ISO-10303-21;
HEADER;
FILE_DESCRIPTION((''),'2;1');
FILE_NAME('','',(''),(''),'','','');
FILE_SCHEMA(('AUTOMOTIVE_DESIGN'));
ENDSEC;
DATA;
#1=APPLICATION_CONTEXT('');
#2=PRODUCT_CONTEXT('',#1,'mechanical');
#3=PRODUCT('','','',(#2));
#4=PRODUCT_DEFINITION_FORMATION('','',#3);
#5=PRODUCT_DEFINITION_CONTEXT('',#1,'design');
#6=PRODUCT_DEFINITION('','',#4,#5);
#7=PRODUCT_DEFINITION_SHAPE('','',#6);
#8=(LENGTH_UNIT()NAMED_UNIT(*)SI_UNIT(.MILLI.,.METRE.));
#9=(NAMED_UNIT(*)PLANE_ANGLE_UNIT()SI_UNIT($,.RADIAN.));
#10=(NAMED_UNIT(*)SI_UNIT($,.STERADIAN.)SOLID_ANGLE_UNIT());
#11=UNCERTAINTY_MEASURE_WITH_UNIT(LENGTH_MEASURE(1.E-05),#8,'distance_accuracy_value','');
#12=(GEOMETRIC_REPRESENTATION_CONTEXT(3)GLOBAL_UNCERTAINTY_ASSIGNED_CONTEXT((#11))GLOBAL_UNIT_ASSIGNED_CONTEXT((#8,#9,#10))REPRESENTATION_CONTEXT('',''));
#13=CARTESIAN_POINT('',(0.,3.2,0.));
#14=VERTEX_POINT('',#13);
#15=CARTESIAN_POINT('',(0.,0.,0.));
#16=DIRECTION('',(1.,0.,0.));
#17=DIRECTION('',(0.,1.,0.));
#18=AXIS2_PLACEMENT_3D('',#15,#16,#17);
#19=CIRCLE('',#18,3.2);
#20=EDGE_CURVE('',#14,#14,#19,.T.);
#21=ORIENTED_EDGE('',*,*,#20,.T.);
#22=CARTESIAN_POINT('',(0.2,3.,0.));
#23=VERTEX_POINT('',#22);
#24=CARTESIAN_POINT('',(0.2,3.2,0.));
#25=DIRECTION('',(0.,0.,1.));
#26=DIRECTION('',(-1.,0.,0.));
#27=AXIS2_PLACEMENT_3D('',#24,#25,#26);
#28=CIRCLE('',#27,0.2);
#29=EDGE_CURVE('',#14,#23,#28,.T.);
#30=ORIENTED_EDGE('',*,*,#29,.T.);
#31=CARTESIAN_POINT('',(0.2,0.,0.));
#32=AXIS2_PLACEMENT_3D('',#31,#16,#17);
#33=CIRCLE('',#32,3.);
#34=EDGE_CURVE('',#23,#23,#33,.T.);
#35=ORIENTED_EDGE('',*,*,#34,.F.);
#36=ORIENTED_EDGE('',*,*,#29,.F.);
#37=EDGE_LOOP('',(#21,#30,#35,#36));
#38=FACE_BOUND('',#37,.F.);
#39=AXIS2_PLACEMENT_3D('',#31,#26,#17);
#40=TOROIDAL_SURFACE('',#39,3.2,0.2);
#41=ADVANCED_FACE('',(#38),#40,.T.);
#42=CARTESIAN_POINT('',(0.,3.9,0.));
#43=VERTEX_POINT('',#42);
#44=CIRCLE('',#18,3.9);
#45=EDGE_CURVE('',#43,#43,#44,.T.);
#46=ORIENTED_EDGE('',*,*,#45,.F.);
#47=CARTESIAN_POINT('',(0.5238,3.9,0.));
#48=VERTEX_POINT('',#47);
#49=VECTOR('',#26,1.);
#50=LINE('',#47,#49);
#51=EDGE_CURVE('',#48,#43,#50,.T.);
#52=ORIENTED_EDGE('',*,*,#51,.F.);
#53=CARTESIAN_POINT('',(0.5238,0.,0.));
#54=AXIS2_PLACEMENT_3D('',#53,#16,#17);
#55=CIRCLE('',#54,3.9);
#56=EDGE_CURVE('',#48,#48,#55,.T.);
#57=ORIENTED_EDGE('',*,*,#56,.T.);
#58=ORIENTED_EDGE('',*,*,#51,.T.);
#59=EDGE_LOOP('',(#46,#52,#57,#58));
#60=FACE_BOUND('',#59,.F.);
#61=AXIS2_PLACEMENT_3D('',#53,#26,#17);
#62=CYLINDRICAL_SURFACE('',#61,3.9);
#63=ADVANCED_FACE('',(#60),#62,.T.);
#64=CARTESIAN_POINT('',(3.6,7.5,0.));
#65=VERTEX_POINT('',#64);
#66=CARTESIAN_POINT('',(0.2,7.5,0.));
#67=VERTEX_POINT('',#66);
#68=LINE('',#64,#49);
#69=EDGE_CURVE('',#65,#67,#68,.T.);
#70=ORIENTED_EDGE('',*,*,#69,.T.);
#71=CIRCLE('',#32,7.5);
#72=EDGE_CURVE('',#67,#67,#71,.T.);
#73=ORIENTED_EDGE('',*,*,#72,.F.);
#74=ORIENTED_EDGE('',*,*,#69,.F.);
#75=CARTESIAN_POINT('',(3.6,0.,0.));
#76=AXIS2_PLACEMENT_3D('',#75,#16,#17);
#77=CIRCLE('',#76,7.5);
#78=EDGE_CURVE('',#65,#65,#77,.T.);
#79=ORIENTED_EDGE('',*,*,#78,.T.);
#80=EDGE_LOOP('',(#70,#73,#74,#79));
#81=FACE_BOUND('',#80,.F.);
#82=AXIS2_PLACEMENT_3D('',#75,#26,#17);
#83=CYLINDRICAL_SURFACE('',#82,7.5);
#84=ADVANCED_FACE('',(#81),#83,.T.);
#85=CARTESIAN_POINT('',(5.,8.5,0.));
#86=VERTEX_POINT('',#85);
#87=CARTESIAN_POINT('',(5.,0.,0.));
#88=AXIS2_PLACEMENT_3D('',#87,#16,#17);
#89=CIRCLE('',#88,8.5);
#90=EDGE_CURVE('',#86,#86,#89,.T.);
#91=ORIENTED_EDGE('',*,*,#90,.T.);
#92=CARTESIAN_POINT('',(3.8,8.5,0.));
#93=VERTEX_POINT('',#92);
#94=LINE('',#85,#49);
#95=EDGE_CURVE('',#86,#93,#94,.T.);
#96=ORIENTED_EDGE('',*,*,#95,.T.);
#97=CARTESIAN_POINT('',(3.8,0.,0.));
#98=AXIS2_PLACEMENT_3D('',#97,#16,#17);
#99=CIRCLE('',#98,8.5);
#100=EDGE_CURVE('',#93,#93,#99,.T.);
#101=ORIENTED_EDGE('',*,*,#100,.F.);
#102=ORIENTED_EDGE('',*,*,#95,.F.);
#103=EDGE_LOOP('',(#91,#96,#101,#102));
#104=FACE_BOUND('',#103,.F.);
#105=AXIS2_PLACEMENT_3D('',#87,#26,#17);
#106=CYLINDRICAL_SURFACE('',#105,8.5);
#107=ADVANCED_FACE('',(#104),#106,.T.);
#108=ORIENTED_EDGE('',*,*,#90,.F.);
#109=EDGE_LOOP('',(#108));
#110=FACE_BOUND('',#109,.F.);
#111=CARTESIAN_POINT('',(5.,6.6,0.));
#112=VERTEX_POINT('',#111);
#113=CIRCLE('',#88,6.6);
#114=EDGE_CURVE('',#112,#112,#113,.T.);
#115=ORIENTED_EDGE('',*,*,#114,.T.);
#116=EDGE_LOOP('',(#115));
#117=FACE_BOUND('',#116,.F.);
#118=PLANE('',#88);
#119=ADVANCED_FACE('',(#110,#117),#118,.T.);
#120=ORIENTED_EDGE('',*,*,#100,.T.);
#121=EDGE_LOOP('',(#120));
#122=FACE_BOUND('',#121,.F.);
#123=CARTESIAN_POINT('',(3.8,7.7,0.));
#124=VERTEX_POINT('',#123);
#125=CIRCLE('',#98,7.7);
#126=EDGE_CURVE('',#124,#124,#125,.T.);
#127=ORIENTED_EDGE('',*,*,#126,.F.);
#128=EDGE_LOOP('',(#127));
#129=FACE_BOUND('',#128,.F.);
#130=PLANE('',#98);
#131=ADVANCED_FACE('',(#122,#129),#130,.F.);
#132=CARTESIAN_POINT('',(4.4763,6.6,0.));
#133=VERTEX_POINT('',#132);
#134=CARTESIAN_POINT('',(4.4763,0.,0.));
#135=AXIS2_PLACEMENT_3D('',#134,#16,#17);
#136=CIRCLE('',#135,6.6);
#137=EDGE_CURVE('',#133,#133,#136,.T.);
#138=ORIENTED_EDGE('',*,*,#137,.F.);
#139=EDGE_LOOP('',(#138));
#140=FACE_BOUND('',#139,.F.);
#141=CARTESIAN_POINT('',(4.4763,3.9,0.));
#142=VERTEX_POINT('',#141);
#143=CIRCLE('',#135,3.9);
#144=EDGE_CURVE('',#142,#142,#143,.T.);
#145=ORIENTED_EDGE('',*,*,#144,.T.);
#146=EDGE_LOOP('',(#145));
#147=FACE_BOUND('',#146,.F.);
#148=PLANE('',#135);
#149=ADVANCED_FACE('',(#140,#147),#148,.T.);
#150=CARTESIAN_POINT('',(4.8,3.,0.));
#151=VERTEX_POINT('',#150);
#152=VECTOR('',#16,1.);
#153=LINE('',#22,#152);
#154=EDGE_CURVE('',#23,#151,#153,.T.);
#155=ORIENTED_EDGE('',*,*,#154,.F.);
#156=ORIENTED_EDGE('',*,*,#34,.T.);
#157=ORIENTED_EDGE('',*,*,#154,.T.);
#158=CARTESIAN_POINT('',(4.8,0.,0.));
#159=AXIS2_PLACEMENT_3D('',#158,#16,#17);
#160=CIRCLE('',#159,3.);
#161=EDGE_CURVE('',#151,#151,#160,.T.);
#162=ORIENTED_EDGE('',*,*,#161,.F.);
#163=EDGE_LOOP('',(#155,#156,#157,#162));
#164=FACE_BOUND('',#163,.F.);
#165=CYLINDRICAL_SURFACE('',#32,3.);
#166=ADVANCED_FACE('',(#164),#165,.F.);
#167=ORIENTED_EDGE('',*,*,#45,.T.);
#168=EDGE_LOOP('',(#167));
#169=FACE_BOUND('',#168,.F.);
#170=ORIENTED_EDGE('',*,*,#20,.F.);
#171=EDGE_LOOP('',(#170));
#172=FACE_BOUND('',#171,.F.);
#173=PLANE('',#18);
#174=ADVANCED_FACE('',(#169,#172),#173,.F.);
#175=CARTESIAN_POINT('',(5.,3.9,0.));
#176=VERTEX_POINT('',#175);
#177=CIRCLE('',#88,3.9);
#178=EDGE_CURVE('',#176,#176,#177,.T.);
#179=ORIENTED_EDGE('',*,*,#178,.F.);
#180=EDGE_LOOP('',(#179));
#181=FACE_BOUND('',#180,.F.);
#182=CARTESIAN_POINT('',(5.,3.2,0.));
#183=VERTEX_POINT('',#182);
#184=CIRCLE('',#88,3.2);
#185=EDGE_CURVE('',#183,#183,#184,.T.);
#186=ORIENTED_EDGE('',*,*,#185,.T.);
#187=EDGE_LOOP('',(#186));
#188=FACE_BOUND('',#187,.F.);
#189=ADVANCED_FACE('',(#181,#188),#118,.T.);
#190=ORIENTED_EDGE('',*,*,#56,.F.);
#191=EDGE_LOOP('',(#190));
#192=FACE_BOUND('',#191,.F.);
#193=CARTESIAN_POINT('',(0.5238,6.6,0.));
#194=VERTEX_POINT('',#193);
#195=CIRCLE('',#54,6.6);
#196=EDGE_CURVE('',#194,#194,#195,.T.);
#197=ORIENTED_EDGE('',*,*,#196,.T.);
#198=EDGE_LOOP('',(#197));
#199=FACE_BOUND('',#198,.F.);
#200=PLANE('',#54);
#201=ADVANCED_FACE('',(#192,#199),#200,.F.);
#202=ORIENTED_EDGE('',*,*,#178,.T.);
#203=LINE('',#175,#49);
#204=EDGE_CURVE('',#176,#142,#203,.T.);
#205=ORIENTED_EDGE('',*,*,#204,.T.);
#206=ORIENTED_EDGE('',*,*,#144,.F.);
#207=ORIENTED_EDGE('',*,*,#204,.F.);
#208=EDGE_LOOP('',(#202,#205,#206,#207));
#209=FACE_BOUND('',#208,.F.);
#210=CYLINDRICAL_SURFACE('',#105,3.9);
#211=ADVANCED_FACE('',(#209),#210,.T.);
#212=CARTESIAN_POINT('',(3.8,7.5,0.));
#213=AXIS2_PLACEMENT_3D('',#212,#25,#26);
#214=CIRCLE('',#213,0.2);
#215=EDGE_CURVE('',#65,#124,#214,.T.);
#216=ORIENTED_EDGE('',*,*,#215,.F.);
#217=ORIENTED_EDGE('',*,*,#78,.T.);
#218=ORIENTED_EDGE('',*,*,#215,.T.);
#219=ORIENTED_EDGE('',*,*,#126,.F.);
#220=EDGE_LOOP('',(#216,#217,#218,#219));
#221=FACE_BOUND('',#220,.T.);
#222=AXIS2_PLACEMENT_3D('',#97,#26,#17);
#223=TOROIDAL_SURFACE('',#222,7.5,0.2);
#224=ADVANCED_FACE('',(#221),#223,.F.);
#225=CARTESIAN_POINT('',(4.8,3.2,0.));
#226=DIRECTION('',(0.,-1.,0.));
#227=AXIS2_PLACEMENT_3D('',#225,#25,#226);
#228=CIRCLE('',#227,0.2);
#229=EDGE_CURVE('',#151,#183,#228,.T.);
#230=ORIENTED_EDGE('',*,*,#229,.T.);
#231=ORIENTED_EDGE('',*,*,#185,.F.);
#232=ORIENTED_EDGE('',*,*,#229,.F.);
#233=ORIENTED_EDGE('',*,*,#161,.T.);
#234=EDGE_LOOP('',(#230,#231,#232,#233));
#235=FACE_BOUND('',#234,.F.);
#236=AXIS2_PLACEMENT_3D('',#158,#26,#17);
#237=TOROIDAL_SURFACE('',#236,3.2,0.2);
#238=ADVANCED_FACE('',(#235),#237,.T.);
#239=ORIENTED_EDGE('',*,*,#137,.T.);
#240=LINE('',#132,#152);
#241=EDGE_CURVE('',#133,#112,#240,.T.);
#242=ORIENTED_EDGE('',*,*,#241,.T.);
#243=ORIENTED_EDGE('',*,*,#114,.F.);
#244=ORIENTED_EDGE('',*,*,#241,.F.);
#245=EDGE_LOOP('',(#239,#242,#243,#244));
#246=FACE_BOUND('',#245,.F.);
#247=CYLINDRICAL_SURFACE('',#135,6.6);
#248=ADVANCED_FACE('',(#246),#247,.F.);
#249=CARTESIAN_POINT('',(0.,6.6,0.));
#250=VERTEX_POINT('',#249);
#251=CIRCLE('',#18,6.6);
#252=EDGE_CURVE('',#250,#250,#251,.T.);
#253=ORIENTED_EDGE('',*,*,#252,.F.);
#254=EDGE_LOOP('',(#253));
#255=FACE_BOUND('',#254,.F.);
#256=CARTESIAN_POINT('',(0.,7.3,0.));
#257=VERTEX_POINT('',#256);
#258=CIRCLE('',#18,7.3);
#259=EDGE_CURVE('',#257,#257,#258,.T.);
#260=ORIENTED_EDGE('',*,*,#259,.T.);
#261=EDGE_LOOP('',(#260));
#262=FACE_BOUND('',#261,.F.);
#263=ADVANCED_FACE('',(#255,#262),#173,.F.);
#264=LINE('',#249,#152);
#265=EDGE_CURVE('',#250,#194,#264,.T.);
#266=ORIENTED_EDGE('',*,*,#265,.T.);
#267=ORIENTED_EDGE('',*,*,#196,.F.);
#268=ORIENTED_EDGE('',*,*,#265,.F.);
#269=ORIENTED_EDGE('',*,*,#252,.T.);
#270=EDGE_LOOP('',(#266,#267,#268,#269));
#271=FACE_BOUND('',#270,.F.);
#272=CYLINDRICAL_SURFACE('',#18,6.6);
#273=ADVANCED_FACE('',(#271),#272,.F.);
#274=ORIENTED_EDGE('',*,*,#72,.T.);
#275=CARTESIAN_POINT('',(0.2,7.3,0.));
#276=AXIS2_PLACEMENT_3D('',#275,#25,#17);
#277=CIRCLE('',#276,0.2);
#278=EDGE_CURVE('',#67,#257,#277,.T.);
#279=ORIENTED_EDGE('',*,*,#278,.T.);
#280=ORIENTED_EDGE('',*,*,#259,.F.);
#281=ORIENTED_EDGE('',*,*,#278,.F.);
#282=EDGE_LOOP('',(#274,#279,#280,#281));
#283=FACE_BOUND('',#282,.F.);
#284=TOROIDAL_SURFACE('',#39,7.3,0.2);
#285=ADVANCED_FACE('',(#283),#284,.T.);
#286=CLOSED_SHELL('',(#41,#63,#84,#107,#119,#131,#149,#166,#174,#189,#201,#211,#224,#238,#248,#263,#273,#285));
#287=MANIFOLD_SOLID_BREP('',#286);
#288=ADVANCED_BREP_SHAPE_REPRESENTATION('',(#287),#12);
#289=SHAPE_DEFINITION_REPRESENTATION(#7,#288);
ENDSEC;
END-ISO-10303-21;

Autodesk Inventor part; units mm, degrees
sketch "Sketch_1" plane through (0, 0, 0) normal (0, 0, 1) x (1, 0, 0)
  line L0 (15, 0) -> (-15, 0)
  arc A0 (0, 3.2) -> (0.2, 3) centre (0.2, 3.2) ccw
  line L1 (0.2, 3) -> (4.8, 3)
  arc A1 (4.8, 3) -> (5, 3.2) centre (4.8, 3.2) ccw
  line L2 (5, 3.2) -> (5, 3.9)
  line L3 (5, 3.9) -> (4.4763, 3.9)
  line L4 (4.4763, 3.9) -> (4.4763, 6.6)
  line L5 (4.4763, 6.6) -> (5, 6.6)
  line L6 (5, 6.6) -> (5, 8.5)
  line L7 (5, 8.5) -> (3.8, 8.5)
  line L8 (3.8, 8.5) -> (3.8, 7.7)
  arc A2 (3.6, 7.5) -> (3.8, 7.7) centre (3.8, 7.5) ccw
  line L9 (3.6, 7.5) -> (0.2, 7.5)
  arc A3 (0.2, 7.5) -> (0, 7.3) centre (0.2, 7.3) ccw
  line L10 (0, 7.3) -> (0, 6.6)
  line L11 (0, 6.6) -> (0.5238, 6.6)
  line L12 (0.5238, 6.6) -> (0.5238, 3.9)
  line L13 (0.5238, 3.9) -> (0, 3.9)
  line L14 (0, 3.9) -> (0, 3.2)
revolve "Revolution1" add sketch "Sketch_1" angle 360 about axis through (15, 0, 0) along (1, 0, 0)
ref_plane "to_housing_XY" through (0, 0, 0) normal (1, 0, 0) x (0, 0, -1)
ref_plane "to_housing_YZ" through (0, 0, 0) normal (0, 0, -1) x (0, 1, 0)
ref_plane "to_housing_ZX" through (0, 0, 0) normal (0, 1, 0) x (1, 0, 0)
properties part number "FL696ZZ"
